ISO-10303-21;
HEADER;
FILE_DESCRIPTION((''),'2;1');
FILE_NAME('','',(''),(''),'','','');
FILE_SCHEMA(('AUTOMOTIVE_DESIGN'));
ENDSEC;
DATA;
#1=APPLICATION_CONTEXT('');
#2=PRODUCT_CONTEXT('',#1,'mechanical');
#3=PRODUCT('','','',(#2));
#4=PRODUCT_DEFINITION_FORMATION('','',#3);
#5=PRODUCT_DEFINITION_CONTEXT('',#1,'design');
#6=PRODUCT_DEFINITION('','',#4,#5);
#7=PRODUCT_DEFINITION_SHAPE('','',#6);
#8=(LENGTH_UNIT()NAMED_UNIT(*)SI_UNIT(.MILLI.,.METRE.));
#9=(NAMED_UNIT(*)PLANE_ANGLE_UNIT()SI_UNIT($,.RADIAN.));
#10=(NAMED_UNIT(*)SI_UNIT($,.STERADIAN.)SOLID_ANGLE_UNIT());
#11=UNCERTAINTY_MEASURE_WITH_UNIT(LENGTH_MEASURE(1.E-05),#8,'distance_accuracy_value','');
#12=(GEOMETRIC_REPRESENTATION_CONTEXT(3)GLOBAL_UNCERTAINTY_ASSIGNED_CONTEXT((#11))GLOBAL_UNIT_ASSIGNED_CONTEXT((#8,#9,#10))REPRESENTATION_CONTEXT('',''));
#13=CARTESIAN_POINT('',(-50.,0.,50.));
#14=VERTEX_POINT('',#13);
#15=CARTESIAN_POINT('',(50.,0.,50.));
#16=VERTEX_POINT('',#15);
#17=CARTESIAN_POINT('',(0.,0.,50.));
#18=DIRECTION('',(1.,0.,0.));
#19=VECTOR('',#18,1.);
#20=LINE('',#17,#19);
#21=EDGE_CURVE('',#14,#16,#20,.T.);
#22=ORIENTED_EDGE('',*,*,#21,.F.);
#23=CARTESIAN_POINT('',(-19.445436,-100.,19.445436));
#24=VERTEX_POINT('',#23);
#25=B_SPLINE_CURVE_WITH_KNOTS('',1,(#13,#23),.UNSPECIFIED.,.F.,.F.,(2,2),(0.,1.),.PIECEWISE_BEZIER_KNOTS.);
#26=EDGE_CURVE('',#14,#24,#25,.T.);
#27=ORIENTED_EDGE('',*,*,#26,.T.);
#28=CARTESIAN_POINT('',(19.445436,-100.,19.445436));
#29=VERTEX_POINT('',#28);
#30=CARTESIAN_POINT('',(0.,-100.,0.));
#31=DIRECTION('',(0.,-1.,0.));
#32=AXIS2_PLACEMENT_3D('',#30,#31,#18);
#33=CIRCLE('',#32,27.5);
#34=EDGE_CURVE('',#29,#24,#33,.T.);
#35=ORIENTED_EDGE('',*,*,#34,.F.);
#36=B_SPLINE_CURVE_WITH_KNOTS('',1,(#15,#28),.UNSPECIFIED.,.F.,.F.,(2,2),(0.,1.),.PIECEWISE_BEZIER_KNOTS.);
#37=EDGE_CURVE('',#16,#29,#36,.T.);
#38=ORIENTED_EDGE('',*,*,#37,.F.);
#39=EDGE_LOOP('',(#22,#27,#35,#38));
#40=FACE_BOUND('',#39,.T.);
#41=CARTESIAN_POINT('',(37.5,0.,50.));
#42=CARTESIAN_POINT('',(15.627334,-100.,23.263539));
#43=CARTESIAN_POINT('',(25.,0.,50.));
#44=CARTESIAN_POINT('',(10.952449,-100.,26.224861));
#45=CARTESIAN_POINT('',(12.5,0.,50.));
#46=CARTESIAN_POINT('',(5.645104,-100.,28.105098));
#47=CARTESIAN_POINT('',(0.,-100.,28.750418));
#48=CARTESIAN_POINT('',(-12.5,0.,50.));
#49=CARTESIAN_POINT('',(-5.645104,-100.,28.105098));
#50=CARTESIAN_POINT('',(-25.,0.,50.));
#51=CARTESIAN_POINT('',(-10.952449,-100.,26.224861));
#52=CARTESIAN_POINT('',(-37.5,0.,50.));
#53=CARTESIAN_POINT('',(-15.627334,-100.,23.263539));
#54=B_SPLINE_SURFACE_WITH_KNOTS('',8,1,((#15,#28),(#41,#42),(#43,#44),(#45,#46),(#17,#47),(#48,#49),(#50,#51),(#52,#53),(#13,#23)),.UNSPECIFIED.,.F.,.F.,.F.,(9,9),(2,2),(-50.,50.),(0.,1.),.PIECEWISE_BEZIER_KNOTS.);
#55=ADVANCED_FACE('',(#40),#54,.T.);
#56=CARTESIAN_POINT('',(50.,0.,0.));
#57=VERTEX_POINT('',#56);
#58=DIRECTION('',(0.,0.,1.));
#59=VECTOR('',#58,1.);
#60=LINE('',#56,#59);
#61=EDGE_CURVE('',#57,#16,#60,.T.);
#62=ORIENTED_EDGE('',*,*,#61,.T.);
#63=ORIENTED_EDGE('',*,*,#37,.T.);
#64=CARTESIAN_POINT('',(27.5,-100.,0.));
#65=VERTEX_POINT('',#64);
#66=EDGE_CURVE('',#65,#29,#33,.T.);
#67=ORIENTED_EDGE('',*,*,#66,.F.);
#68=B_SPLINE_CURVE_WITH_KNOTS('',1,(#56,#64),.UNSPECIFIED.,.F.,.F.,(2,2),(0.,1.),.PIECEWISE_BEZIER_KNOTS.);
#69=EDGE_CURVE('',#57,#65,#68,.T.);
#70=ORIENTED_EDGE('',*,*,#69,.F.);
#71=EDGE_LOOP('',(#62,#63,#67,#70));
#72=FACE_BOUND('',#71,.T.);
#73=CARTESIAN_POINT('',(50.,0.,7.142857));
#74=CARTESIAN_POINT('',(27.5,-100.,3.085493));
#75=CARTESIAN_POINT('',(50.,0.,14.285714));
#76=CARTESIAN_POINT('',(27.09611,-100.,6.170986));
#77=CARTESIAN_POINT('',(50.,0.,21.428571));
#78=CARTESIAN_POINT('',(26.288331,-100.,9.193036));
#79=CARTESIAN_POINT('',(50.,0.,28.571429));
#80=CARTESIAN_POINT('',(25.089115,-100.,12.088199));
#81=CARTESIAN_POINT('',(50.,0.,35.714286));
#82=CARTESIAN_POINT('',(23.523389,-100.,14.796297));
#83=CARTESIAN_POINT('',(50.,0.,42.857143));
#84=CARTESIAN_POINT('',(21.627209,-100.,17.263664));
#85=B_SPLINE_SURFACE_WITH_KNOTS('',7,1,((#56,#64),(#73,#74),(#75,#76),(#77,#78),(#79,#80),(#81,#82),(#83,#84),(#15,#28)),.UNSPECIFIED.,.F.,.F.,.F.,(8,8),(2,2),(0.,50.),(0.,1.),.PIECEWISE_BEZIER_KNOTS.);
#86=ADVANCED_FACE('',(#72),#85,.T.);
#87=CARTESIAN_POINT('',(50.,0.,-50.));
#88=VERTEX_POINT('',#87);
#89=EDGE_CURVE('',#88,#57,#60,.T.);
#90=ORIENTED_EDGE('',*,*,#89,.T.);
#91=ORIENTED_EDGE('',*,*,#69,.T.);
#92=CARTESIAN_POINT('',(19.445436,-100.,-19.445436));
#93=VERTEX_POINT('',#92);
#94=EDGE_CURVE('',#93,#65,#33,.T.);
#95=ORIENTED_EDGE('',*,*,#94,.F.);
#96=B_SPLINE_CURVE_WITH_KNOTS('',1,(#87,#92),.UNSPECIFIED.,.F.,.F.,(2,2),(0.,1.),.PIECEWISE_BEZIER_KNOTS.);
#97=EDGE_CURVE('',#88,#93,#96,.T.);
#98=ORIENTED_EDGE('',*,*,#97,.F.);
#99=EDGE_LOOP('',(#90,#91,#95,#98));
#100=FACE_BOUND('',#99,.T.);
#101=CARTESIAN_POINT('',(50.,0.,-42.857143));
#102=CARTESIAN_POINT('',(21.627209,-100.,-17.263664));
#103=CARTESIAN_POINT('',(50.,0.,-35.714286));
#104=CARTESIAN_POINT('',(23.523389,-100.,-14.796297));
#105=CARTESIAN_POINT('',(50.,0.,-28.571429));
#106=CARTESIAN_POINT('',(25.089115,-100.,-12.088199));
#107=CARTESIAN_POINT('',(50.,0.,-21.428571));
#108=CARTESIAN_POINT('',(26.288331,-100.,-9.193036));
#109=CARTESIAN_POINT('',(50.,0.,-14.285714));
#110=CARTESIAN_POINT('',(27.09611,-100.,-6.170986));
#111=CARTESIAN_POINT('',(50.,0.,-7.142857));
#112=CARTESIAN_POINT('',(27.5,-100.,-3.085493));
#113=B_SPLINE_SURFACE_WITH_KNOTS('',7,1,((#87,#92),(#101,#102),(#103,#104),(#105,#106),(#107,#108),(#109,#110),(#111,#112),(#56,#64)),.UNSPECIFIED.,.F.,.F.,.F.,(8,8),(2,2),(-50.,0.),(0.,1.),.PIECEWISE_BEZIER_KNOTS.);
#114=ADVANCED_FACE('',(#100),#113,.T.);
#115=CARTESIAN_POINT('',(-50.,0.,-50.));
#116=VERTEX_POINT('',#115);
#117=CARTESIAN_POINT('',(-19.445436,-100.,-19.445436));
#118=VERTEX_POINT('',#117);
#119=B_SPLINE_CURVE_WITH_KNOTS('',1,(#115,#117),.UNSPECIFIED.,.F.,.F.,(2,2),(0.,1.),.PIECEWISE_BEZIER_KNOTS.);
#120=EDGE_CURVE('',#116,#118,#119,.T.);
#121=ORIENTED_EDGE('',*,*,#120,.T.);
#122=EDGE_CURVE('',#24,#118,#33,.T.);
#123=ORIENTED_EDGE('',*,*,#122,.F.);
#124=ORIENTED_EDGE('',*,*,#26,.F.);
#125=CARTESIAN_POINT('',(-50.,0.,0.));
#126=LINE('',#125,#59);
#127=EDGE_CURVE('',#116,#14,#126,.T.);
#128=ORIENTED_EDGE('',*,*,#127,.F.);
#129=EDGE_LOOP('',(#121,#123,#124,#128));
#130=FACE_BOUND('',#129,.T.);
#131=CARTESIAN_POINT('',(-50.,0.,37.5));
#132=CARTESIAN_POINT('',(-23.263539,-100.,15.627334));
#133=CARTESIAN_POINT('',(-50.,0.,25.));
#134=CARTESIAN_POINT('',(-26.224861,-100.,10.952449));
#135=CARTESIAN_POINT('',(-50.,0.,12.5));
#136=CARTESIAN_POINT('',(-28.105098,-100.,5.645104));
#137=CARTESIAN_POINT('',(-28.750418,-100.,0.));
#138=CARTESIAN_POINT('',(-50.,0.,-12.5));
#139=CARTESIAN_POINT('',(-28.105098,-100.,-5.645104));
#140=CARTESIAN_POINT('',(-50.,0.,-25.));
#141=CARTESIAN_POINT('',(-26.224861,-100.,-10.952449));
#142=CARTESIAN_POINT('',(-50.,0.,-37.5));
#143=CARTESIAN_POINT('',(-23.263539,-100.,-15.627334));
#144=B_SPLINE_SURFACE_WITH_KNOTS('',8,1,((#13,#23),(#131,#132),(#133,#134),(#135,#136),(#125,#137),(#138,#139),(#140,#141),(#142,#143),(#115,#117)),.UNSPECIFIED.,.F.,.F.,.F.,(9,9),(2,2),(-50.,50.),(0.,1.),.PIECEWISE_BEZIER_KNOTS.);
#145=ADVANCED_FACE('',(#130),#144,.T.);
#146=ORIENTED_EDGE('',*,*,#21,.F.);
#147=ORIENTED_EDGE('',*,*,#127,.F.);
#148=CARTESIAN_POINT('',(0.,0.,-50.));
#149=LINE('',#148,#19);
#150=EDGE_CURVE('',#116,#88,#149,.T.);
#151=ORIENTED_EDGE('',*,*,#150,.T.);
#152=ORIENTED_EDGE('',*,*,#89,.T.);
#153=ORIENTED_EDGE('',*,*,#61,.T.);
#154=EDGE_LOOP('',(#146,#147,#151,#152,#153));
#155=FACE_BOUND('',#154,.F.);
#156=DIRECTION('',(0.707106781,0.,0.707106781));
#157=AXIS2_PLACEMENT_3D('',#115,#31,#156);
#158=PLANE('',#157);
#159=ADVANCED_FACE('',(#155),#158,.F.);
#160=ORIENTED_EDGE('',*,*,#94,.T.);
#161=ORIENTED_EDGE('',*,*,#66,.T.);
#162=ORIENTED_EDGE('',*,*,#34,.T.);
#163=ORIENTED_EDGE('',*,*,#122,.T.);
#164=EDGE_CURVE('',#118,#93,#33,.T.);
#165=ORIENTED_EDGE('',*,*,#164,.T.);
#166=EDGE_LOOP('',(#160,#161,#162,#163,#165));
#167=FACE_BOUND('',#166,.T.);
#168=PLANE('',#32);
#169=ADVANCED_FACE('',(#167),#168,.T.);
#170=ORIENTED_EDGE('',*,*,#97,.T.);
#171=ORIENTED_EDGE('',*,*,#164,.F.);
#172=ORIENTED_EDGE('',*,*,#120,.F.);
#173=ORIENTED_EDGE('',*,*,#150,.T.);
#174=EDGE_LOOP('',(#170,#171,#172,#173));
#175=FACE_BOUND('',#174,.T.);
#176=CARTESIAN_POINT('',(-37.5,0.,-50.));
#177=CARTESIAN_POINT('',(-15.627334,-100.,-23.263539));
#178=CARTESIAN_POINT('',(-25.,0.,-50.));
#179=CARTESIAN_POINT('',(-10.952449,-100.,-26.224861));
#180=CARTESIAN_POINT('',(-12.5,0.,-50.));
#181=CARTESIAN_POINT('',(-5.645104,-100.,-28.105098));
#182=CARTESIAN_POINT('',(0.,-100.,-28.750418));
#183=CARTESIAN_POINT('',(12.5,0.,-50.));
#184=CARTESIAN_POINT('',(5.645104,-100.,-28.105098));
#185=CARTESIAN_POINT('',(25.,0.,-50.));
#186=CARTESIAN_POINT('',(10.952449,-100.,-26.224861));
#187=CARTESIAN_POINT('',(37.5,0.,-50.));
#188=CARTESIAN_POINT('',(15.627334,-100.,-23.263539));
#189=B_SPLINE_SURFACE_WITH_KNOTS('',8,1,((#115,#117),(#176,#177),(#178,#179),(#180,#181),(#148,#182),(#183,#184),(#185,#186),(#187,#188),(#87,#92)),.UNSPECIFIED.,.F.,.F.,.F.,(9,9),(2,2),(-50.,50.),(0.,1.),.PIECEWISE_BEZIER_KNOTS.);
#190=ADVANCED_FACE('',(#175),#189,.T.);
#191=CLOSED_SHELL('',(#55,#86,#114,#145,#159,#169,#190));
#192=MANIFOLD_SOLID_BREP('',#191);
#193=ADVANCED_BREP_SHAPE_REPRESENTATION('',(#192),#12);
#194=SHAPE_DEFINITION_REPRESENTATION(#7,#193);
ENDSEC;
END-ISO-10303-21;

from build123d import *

# Parameters (mm, degrees)
F0_W = 100
F0_H = 100
F2_R = 27.5


with BuildPart() as f3:
    # F0 (on Front) → F3 section 0
    with BuildSketch(Plane.XZ):
        Rectangle(F0_W, F0_H)
    # F2 (on offset) → F3 section 1
    with BuildSketch(Plane.XZ.offset(100)):
        Circle(F2_R)
    loft()


solid = f3.part
